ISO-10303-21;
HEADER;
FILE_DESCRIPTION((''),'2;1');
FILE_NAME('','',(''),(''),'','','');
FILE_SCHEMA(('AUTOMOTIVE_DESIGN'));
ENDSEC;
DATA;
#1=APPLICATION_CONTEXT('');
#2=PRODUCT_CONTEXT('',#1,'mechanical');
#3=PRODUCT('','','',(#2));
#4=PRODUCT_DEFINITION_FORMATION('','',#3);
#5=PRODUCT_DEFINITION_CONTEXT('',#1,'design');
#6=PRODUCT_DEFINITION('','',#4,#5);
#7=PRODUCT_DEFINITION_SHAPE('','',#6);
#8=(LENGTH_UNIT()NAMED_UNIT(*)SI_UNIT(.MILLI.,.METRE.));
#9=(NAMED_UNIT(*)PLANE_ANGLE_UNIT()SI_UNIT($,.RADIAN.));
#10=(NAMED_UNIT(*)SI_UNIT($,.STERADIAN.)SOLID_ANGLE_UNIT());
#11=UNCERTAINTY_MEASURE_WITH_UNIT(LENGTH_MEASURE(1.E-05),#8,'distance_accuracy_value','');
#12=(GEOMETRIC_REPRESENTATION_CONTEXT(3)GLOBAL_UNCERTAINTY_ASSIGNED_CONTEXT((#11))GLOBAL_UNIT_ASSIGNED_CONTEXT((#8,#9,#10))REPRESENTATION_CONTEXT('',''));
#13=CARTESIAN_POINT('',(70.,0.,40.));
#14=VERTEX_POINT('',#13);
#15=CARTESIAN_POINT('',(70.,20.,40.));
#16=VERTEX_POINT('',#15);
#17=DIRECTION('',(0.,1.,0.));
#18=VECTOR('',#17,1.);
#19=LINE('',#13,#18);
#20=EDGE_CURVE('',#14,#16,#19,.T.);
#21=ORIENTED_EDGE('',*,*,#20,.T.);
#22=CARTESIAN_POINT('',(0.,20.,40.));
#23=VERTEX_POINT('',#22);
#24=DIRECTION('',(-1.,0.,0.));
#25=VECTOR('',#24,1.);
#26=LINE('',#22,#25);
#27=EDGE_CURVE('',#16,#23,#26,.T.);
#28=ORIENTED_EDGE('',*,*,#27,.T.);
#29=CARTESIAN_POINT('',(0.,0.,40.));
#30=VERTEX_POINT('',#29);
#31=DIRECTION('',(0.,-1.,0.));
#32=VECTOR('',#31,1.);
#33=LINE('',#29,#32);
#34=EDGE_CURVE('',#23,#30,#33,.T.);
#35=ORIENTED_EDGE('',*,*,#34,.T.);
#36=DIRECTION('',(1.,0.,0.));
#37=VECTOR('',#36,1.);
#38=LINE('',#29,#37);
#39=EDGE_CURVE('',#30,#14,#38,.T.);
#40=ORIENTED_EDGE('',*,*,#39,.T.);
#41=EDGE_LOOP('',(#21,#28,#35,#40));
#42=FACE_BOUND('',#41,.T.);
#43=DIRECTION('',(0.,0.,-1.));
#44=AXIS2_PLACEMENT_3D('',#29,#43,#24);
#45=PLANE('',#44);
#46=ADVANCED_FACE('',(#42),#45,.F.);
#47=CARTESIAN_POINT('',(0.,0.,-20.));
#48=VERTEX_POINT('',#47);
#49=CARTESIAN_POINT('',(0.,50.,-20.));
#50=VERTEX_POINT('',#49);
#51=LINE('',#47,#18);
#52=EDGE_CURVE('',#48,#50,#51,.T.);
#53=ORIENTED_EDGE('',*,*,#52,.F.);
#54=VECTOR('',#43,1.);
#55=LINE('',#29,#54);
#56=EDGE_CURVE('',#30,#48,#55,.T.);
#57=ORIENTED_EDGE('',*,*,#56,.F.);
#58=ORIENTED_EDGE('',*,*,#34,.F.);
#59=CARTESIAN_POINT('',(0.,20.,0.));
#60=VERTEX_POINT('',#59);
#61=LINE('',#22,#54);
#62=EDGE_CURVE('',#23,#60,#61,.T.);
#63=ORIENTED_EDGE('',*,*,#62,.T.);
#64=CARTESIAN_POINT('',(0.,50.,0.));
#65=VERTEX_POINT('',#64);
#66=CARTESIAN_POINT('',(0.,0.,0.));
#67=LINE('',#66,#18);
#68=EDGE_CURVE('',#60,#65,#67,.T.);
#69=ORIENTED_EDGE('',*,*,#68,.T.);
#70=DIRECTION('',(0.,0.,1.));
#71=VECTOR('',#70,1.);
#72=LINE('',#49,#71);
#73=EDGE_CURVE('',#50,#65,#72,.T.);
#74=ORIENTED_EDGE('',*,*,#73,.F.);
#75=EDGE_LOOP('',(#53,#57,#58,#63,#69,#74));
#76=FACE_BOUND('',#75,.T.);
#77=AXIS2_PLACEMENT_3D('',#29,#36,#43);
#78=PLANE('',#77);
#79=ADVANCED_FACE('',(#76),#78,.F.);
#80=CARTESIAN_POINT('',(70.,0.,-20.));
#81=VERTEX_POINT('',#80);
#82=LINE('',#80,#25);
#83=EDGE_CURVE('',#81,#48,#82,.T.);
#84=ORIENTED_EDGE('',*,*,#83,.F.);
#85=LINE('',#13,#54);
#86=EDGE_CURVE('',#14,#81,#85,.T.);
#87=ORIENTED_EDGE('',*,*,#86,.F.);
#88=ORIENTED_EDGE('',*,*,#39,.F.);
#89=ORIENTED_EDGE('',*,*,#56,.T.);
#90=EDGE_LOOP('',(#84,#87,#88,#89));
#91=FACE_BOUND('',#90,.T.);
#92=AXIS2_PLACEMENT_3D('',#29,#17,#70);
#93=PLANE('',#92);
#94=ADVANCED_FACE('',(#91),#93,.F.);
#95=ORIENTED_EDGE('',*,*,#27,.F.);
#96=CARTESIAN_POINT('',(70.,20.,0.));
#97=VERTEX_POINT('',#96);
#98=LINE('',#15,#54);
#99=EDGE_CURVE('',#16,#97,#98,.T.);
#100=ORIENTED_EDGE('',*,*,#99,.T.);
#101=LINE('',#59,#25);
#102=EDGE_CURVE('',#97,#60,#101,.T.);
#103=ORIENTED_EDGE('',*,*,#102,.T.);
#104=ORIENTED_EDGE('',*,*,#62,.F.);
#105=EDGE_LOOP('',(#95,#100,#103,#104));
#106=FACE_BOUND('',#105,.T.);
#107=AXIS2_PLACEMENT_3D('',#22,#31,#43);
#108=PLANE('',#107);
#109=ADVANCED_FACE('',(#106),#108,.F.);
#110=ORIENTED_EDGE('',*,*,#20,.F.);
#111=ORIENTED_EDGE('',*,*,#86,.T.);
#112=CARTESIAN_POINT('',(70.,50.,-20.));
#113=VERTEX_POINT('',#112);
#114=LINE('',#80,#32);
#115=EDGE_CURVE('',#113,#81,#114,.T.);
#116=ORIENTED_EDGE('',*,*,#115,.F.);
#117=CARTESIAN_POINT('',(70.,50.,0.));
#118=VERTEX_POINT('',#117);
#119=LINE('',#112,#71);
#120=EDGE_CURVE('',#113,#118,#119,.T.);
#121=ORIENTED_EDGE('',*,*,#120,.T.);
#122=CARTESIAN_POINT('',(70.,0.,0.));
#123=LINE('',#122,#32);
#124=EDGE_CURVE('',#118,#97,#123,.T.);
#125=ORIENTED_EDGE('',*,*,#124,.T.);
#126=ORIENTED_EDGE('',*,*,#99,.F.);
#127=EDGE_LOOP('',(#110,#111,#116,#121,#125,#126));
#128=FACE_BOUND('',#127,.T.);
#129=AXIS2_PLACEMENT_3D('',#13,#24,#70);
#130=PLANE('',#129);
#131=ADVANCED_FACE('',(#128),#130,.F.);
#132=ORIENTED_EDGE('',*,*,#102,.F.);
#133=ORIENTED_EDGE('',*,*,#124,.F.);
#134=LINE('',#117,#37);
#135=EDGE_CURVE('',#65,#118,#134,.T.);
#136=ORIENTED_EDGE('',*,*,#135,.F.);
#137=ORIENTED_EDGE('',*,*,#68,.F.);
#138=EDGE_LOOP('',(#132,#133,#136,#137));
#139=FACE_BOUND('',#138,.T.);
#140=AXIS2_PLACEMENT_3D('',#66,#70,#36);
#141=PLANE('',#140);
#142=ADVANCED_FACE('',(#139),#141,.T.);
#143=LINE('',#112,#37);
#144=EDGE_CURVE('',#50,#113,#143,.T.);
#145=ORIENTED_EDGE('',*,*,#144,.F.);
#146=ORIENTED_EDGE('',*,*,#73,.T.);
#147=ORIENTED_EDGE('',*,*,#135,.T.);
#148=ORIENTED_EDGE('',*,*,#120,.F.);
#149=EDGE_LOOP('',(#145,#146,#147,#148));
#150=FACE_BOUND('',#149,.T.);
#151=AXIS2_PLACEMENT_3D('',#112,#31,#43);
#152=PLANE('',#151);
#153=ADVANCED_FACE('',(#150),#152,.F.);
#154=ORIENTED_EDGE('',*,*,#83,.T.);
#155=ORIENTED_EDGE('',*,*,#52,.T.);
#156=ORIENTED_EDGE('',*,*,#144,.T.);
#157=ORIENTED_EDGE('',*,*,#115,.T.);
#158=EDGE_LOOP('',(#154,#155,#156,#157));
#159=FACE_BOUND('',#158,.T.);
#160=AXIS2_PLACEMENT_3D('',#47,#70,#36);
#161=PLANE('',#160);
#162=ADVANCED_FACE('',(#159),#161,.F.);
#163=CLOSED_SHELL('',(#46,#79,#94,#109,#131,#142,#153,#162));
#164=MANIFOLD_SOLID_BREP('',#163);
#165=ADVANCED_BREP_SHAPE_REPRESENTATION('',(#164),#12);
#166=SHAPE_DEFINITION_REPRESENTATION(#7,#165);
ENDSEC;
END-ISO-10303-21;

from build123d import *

# Parameters (mm, degrees)
ESBO_O1_W                = 70
ESBO_O1_H                = 20
RESSALTO_EXTRUS_O1_DEPTH = 40
ESBO_O2_W                = 70
ESBO_O2_H                = 50
RESSALTO_EXTRUS_O2_DEPTH = 20


with BuildPart() as part:
    # Esboço1 → Ressalto-extrusão1 (new body)
    with BuildSketch(Plane.XY):
        with Locations((35, 10)):
            Rectangle(ESBO_O1_W, ESBO_O1_H)
    extrude(amount=RESSALTO_EXTRUS_O1_DEPTH)

    # Esboço2 → Ressalto-extrusão2 (add)
    with BuildSketch(Plane(origin=(0, 0, 0), x_dir=(-1, 0, 0), z_dir=(0, 0, -1))):
        with Locations((-35, 25)):
            Rectangle(ESBO_O2_W, ESBO_O2_H)
    extrude(amount=RESSALTO_EXTRUS_O2_DEPTH)


solid = part.part
